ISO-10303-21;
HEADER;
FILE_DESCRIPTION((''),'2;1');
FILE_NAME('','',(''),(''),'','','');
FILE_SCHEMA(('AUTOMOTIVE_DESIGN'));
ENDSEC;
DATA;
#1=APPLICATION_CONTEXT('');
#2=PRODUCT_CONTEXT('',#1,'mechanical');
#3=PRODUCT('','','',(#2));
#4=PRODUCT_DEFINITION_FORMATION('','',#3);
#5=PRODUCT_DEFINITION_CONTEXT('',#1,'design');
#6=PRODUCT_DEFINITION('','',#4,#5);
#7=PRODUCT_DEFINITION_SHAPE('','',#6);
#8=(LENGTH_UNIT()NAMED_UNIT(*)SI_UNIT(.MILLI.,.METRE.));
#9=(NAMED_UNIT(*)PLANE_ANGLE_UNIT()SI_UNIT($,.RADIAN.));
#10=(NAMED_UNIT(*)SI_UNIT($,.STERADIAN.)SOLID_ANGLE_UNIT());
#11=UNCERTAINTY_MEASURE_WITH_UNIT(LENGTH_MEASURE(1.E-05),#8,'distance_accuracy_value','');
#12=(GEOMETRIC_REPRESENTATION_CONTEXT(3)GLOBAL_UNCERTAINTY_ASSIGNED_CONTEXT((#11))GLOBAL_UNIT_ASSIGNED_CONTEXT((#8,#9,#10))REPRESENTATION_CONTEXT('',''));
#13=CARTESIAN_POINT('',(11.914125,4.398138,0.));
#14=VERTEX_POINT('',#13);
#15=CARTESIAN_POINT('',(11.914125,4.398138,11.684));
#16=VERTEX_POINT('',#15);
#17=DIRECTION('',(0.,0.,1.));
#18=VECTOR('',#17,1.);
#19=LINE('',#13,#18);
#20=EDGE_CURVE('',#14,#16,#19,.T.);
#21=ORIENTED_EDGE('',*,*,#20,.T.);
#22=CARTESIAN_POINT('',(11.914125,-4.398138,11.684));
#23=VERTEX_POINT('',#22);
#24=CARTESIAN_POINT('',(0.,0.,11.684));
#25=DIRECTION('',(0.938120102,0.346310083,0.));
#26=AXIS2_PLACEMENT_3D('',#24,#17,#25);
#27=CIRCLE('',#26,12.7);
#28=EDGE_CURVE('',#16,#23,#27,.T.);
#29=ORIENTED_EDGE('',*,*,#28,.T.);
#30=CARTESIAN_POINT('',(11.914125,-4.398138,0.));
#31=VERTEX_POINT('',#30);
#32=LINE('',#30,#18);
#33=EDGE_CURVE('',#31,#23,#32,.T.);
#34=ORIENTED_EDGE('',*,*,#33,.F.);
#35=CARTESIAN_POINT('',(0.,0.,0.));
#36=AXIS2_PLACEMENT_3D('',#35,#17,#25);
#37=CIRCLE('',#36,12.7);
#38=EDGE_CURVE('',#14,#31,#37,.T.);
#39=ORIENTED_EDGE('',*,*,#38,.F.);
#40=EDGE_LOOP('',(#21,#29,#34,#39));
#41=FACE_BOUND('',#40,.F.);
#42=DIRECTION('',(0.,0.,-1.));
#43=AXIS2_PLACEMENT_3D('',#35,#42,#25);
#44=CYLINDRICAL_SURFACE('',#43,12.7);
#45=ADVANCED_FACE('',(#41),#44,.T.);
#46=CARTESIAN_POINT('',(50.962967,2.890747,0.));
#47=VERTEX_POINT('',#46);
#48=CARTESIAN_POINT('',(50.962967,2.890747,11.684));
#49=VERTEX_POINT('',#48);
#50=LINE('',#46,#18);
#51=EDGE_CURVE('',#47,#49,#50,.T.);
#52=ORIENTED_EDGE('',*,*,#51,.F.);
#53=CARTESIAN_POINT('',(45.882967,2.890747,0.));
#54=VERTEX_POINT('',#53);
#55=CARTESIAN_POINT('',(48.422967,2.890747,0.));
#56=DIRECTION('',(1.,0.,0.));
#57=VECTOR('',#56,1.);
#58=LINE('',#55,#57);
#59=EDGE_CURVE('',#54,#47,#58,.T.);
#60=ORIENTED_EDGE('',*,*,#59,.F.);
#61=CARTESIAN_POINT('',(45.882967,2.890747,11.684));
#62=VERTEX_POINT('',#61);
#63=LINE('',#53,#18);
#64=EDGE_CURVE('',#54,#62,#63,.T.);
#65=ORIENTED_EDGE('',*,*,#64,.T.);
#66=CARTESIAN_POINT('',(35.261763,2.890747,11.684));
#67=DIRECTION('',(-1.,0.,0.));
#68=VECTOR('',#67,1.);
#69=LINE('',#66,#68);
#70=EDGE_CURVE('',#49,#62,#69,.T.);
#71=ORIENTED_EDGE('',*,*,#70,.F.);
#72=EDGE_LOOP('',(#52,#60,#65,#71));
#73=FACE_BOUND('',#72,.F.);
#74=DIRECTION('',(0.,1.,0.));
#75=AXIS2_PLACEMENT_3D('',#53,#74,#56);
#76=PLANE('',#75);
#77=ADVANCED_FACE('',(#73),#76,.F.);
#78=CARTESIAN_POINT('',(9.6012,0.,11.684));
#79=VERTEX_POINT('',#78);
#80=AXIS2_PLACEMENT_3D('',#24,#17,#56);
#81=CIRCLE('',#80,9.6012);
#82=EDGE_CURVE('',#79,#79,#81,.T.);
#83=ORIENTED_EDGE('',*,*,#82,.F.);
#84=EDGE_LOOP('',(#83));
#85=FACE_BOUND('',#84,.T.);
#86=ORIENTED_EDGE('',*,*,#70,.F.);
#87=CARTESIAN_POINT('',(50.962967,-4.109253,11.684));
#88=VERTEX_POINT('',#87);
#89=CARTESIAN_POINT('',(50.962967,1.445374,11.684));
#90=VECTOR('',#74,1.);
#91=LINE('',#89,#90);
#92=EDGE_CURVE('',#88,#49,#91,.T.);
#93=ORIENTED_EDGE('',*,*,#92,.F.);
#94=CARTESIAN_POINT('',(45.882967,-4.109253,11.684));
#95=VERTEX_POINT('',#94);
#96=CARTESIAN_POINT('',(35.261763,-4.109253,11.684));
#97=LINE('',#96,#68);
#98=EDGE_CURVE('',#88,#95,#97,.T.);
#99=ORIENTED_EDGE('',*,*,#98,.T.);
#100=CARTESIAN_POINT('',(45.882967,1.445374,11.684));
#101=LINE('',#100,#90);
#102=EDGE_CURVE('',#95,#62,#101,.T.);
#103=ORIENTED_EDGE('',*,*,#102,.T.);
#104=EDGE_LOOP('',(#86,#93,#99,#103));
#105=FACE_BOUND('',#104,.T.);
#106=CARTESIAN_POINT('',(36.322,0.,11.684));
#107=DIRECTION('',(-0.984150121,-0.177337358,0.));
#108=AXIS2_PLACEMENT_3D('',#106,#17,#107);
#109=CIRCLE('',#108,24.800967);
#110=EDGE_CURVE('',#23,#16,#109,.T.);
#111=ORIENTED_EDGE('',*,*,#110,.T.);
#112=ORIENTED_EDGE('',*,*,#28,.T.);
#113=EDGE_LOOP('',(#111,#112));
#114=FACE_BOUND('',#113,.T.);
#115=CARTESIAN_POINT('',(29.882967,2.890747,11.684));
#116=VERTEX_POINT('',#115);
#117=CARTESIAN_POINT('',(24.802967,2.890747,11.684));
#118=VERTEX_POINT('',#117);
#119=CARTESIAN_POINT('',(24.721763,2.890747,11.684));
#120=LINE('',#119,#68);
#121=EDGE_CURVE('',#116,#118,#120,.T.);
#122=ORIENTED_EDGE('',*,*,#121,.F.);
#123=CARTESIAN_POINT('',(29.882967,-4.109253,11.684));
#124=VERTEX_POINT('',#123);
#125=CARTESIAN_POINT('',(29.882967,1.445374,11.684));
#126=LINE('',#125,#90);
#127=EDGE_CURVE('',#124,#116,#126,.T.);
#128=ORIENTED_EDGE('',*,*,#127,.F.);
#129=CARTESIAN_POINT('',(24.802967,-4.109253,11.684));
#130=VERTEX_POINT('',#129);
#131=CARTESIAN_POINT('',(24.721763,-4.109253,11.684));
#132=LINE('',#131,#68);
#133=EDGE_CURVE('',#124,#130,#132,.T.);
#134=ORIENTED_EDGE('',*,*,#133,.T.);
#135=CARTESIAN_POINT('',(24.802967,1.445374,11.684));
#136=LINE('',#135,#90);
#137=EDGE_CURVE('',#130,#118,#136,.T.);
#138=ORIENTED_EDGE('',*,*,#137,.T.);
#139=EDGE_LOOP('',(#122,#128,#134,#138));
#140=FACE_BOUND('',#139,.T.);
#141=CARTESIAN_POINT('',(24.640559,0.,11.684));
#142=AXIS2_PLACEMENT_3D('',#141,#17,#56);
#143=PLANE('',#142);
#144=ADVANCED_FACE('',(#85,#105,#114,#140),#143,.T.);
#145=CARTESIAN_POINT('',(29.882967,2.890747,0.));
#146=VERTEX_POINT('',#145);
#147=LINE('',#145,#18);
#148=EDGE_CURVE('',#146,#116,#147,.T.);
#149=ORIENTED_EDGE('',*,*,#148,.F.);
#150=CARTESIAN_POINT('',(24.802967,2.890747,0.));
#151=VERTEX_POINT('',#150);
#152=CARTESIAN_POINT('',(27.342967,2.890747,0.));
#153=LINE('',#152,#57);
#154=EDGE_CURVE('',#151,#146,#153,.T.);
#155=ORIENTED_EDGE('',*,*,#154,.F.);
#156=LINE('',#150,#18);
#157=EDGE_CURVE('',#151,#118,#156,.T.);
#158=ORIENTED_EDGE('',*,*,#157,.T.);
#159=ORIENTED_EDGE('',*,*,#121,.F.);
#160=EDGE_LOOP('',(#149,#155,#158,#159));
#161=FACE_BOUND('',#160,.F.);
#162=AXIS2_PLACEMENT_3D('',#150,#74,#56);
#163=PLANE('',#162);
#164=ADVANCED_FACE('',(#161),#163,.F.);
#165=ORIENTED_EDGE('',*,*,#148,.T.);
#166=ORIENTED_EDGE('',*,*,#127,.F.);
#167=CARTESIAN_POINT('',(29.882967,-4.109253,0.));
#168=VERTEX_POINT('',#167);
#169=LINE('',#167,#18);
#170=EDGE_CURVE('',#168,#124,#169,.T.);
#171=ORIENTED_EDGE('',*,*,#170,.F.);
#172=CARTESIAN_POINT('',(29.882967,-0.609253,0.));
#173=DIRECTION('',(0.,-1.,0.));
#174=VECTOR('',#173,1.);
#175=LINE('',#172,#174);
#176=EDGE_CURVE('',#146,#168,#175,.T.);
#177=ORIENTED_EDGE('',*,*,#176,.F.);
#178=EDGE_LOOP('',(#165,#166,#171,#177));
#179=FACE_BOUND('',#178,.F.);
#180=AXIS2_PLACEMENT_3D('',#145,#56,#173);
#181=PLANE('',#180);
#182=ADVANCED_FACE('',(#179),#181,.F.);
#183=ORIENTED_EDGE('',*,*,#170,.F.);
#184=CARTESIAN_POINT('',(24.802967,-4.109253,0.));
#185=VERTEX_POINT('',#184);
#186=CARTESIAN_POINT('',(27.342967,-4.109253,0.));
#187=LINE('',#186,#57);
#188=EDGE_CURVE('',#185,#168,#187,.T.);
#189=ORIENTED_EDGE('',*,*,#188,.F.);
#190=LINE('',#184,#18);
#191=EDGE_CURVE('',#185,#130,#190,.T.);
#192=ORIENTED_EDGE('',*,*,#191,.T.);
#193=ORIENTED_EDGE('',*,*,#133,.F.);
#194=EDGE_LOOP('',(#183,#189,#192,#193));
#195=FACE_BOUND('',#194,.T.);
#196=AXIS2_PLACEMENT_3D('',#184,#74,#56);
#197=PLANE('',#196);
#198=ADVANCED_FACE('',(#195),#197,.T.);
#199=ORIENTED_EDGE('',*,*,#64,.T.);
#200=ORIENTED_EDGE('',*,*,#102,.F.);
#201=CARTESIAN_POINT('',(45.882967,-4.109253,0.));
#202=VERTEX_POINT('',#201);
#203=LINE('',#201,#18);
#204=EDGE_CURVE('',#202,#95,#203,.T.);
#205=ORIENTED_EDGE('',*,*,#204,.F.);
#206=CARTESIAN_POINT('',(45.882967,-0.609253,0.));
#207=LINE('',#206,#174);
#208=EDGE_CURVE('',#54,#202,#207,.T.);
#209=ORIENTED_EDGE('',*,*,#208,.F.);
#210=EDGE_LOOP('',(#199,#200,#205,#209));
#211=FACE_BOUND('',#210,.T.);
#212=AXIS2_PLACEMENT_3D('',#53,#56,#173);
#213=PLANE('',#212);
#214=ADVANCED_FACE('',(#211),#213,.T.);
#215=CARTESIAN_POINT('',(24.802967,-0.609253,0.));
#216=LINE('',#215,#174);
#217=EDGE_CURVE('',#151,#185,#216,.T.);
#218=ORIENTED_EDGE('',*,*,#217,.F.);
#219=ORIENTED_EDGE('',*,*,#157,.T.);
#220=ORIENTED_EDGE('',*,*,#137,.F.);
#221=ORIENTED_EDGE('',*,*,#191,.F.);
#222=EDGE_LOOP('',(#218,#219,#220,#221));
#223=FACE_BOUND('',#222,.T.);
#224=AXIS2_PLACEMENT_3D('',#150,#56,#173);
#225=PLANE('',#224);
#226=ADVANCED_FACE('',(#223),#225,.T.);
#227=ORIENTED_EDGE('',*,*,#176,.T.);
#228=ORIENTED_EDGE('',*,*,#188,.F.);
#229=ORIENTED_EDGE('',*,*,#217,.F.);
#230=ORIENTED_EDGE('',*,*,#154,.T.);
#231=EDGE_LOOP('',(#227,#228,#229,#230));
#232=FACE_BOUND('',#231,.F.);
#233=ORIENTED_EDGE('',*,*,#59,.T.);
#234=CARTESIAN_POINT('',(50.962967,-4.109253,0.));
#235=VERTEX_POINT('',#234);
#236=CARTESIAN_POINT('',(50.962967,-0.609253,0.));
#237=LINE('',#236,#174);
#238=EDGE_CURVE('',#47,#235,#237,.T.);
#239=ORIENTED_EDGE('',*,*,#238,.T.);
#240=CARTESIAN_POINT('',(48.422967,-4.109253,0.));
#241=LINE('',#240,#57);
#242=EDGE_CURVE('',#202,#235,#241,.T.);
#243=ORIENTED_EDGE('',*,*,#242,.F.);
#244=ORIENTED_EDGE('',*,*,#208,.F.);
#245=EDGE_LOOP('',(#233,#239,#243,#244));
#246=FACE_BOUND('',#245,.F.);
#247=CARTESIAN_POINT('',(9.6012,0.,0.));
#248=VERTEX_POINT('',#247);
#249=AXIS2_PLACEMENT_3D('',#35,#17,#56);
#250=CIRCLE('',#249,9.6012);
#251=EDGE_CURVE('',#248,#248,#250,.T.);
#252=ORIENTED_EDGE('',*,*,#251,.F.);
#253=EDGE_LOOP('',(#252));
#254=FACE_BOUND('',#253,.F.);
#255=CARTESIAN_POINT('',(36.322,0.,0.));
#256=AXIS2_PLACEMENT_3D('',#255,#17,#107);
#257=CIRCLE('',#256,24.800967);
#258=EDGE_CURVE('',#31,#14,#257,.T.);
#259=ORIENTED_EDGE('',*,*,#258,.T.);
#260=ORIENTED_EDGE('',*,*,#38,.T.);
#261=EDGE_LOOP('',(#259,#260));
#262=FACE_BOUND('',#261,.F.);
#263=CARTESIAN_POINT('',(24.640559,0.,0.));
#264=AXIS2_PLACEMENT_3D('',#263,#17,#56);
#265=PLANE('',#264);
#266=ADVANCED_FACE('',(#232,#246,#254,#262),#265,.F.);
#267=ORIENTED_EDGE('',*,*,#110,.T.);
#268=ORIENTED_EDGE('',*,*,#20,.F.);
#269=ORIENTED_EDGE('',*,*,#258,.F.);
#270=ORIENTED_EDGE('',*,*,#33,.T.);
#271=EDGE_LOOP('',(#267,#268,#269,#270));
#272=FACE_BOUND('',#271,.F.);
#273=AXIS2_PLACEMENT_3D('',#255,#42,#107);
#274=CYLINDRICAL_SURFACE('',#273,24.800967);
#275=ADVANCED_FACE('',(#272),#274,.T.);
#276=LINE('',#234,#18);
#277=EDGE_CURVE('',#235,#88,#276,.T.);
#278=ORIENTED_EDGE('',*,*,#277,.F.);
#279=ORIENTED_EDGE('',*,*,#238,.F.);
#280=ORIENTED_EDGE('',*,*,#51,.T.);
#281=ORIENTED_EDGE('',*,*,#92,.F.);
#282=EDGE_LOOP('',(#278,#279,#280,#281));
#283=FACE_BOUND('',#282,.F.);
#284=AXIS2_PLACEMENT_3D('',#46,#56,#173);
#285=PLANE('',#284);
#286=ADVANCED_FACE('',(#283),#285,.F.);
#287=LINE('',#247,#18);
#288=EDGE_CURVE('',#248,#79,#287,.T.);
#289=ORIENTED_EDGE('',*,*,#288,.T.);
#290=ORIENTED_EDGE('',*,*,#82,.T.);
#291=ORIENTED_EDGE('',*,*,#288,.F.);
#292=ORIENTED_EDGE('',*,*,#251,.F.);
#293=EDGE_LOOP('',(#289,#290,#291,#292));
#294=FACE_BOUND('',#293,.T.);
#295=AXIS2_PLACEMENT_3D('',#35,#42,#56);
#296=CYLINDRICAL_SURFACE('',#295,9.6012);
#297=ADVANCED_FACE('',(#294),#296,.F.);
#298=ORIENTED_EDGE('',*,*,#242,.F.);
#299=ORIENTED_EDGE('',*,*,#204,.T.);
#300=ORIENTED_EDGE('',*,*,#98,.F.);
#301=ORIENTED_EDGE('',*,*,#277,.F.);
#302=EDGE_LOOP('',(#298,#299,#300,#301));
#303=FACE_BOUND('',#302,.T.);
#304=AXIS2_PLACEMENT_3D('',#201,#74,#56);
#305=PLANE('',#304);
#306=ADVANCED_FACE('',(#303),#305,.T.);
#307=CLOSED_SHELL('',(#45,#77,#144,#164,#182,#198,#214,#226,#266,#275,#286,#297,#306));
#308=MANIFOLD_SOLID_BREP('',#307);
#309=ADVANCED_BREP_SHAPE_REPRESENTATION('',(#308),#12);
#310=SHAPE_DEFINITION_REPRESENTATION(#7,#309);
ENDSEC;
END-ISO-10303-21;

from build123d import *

# Parameters (mm, degrees)
F0_R     = 9.6012
F1_DEPTH = 11.684
F2_W     = 5.08
F2_H     = 7
F3_DEPTH = 25.4


with BuildPart() as f1:
    # F0 (on Top) → F1 (new body)
    with BuildSketch(Plane.XY):
        with BuildLine():
            ThreePointArc((11.914125, -4.398138), (61.122967, 0), (11.914125, 4.398138))
            ThreePointArc((11.914125, 4.398138), (-12.7, 0), (11.914125, -4.398138))
        make_face()
        Circle(F0_R, mode=Mode.SUBTRACT)
    extrude(amount=F1_DEPTH)

    # F2 (on face) → F3 (cut)
    with BuildSketch(Plane(origin=(0, 0, 0), x_dir=(1, 0, 0), z_dir=(0, 0, -1))):
        with Locations((27.342967, 0.609253)):
            Rectangle(F2_W, F2_H)
        with Locations((48.422967, 0.609253)):
            Rectangle(F2_W, F2_H)
    extrude(amount=-F3_DEPTH, mode=Mode.SUBTRACT)


solid = f1.part
